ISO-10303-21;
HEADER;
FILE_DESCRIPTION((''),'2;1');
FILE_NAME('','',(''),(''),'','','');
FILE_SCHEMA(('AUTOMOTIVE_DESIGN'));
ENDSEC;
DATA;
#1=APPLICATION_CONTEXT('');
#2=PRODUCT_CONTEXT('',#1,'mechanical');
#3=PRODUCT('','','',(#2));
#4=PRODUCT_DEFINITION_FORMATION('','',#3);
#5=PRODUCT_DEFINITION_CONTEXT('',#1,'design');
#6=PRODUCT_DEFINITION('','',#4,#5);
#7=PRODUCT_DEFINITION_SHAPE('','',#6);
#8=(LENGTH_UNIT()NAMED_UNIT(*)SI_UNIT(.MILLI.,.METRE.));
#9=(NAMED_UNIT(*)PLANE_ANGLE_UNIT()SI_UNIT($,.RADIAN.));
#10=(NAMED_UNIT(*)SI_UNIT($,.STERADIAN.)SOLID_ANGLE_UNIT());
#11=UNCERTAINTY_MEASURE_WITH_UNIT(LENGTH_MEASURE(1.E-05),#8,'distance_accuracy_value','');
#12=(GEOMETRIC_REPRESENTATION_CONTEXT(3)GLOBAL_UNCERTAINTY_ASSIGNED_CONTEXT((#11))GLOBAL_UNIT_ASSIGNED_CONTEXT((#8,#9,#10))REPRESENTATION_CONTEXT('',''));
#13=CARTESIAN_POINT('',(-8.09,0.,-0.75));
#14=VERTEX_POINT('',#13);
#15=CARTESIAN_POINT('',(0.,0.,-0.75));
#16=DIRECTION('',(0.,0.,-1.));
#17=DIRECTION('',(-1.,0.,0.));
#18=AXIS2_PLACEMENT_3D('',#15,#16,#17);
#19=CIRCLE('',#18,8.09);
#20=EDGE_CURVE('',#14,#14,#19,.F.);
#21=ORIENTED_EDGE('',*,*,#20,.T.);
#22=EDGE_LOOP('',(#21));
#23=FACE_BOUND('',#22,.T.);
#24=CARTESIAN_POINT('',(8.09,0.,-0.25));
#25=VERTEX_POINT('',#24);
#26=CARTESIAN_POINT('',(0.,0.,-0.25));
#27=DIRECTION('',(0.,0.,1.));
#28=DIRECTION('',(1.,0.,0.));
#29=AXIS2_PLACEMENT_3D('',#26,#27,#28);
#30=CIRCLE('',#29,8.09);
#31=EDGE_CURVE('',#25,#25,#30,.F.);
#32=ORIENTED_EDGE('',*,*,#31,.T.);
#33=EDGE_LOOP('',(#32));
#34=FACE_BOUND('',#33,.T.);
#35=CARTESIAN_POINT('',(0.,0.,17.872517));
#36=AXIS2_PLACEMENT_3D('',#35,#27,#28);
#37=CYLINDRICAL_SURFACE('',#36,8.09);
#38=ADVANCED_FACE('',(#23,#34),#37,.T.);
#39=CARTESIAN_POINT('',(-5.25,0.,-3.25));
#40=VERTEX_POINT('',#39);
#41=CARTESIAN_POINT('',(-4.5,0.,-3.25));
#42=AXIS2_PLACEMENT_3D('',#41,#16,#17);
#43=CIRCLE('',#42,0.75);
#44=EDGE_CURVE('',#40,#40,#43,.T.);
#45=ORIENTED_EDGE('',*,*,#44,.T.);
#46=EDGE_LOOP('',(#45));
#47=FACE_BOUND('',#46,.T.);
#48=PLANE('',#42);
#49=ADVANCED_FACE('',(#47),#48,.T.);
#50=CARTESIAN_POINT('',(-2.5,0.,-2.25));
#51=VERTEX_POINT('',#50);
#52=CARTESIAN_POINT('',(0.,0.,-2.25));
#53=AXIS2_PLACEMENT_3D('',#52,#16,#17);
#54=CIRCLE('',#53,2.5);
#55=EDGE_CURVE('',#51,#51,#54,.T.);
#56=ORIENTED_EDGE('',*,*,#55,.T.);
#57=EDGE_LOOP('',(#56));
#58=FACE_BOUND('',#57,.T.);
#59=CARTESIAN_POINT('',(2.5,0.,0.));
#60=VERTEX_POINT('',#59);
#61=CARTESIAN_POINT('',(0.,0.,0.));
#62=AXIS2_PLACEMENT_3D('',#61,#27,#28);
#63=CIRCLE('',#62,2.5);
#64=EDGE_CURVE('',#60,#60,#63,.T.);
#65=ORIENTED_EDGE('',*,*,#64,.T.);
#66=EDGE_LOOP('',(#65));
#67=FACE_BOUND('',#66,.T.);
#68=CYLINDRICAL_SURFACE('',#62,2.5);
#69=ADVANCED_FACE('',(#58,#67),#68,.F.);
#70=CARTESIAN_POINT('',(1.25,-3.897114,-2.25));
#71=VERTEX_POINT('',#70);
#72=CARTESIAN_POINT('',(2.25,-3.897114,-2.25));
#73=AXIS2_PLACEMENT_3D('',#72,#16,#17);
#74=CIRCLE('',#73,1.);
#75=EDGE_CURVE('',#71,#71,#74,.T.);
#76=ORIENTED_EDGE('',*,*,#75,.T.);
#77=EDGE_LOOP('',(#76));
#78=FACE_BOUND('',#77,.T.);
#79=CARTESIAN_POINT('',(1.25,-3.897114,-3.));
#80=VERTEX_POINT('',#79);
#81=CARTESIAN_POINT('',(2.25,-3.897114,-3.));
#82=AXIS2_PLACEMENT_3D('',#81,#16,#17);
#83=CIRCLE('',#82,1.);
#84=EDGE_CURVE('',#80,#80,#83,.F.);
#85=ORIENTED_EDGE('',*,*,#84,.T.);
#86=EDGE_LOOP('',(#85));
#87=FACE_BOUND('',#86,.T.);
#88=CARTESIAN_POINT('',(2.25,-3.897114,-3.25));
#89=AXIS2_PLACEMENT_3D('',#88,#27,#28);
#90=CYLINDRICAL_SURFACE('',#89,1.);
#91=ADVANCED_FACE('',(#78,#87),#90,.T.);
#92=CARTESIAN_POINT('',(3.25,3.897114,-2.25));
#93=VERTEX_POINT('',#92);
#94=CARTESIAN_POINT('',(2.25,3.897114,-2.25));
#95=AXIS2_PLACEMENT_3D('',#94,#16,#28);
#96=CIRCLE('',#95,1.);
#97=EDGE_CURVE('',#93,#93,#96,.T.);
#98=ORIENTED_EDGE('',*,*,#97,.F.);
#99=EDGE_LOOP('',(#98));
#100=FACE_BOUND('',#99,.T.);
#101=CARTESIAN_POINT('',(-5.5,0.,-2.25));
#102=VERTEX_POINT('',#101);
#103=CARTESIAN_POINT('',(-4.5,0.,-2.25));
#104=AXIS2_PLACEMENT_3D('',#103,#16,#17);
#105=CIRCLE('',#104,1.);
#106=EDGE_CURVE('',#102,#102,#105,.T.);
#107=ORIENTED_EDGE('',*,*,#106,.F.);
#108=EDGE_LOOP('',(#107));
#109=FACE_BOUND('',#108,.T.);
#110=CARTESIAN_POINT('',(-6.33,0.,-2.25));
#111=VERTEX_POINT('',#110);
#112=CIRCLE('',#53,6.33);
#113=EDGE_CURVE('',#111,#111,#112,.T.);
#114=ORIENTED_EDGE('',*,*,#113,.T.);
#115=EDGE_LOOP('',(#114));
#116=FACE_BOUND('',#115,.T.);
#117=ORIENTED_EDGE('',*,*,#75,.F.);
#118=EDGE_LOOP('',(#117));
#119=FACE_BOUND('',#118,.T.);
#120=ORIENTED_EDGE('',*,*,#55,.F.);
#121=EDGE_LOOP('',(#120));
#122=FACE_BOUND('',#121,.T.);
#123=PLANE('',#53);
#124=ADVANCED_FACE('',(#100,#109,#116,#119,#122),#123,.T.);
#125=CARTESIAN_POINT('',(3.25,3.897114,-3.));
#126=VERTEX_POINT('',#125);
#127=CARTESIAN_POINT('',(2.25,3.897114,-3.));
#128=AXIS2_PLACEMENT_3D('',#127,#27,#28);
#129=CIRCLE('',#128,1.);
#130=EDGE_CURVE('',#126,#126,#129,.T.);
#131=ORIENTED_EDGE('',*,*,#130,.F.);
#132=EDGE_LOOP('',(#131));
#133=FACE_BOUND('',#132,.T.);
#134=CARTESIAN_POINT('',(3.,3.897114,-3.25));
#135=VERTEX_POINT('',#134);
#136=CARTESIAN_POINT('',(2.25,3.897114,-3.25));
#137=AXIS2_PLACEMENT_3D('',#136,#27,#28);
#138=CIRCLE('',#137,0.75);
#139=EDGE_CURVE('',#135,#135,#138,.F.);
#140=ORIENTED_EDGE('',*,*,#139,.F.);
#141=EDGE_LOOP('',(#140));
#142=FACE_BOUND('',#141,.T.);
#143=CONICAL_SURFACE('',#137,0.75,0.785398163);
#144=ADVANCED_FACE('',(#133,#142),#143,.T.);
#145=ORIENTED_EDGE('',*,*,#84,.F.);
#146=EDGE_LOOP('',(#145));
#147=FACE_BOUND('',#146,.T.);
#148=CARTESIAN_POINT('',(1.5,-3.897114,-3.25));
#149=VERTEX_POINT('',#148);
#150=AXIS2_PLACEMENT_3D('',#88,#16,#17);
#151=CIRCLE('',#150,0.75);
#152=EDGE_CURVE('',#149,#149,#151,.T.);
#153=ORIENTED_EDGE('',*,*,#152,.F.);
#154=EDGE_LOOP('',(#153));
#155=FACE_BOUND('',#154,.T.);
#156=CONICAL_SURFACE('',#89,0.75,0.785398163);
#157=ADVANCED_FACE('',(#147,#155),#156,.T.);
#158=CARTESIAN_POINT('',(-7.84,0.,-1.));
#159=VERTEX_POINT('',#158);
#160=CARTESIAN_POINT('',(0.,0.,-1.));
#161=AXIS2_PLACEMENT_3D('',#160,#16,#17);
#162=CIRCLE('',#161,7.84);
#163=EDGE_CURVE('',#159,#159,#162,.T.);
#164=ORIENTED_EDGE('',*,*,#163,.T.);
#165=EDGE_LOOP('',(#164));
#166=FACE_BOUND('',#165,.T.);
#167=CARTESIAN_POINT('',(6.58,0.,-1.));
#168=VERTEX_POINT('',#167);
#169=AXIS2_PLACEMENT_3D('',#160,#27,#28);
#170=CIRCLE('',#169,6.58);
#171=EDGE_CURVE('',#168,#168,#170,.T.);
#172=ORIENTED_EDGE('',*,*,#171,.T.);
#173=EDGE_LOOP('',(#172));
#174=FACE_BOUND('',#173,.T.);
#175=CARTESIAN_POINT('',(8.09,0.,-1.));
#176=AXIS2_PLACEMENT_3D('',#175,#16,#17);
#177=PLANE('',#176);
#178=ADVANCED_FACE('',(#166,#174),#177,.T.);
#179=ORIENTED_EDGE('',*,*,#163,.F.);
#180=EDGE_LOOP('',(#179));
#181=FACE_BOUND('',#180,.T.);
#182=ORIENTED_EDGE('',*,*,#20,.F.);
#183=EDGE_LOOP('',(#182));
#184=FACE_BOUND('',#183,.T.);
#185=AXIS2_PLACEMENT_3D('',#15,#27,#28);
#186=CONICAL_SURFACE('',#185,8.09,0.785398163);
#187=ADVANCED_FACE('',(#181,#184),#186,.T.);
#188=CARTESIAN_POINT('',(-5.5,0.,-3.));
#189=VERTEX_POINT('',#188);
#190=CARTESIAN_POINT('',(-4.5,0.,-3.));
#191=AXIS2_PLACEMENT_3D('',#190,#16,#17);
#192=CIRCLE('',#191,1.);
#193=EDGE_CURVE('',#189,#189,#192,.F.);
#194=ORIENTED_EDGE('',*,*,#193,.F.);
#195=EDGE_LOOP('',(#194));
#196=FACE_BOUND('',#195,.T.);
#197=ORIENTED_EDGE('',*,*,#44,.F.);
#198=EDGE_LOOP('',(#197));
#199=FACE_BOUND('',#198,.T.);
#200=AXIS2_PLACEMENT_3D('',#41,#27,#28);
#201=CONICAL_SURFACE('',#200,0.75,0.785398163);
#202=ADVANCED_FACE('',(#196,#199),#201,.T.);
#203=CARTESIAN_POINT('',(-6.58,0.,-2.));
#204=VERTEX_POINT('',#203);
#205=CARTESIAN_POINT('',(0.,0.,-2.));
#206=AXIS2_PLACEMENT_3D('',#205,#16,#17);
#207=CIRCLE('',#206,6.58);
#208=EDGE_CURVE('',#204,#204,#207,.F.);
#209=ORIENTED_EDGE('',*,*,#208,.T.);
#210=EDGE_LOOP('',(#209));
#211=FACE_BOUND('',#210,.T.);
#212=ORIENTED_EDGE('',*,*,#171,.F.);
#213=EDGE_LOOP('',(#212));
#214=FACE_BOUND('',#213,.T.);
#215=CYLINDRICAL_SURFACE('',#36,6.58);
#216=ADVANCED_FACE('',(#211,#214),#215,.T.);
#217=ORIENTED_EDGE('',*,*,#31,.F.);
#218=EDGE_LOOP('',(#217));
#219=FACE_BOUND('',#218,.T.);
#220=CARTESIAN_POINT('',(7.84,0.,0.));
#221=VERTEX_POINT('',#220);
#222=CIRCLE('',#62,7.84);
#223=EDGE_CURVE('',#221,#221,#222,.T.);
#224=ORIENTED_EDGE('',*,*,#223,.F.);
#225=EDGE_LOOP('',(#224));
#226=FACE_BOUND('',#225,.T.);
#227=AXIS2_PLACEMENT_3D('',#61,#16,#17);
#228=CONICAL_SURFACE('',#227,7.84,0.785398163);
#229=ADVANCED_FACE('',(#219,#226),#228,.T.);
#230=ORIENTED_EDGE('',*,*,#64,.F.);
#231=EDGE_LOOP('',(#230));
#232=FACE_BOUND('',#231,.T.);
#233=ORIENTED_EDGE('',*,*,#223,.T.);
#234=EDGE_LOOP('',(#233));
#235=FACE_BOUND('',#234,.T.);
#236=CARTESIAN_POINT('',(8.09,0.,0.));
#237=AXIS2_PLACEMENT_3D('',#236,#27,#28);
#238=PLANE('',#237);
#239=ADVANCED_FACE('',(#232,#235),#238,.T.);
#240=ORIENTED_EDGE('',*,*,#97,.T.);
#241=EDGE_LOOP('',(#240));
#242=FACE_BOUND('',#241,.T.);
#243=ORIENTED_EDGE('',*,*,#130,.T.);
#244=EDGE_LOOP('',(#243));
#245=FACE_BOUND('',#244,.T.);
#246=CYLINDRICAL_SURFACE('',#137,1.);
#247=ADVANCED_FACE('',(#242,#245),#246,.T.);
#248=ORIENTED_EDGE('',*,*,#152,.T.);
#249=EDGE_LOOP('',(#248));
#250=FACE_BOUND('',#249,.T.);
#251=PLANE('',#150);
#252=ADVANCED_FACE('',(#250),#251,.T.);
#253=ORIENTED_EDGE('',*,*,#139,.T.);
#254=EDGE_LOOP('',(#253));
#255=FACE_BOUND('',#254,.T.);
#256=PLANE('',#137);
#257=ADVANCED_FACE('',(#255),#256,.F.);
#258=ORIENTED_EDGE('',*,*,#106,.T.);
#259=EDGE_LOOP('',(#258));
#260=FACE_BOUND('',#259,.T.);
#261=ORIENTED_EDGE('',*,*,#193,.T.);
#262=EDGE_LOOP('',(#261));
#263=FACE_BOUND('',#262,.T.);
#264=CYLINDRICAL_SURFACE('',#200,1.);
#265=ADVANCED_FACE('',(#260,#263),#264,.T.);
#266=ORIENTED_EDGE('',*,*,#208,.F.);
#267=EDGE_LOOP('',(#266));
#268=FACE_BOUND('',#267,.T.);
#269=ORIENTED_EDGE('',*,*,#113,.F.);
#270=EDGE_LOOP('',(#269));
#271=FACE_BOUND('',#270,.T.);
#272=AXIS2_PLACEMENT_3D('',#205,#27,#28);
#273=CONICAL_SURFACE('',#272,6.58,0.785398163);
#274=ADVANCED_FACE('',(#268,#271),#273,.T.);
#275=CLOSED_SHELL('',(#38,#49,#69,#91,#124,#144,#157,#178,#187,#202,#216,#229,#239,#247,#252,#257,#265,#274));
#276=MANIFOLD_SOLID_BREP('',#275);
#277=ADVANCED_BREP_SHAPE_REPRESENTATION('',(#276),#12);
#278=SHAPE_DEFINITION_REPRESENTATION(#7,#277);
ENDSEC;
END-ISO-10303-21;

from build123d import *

# Parameters (mm, degrees)
M6X1_0_TAPPED_HOLE1_D     = 5
M6X1_0_TAPPED_HOLE1_DEPTH = 15
M6X1_0_TAPPED_HOLE1_TIP   = 1.502151548
SKETCH3_R                 = 1
EXTRUDE1_DEPTH            = 1
CHAMFER1_SIZE             = 0.25


with BuildPart() as part:
    # Sketch1 → Revolve1 (revolve)
    with BuildSketch(Plane(origin=(0, 0, 0), x_dir=(1, 0, 0), z_dir=(0, 1, 0))):
        Polygon((0, 0), (0, 2.25), (6.58, 2.25), (6.58, 1), (8.09, 1), (8.09, 0), align=None)
    revolve(axis=Axis((0, 0, 17.872516556), (0, 0, -1)))

    # M6x1.0 Tapped Hole1
    with Locations(Plane.XY):
        with Locations((0, 0)):
            Hole(M6X1_0_TAPPED_HOLE1_D / 2, depth=M6X1_0_TAPPED_HOLE1_DEPTH)
            with Locations((0, 0, -(M6X1_0_TAPPED_HOLE1_DEPTH + M6X1_0_TAPPED_HOLE1_TIP / 2))):  # 118° drill point
                Cone(0, M6X1_0_TAPPED_HOLE1_D / 2, M6X1_0_TAPPED_HOLE1_TIP, mode=Mode.SUBTRACT)

    # Sketch3 → Extrude1 (add)
    with BuildSketch(Plane(origin=(0, 0, -2.25), x_dir=(-1, 0, 0), z_dir=(0, 0, -1))):
        with Locations((4.5, 0)):
            Circle(SKETCH3_R)
        with Locations(Location((-2.25, 3.897114317, 0), (0, 0, 180))):  # turned: the seam where the file's is
            Circle(SKETCH3_R)
        with Locations((-2.25, -3.897114317)):
            Circle(SKETCH3_R)
    extrude(amount=EXTRUDE1_DEPTH)

    # Chamfer1
    chamfer1_edges = [part.edges().sort_by_distance(p)[0] for p in [
        (-3.5, 0, -3.25),
        (1.25, 3.897114317, -3.25),
        (3.25, -3.897114317, -3.25),
        (-8.09, 0, 0),
        (-6.58, 0, -2.25),
        (-8.09, 0, -1),
    ]]
    chamfer(chamfer1_edges, length=CHAMFER1_SIZE)


solid = part.part
